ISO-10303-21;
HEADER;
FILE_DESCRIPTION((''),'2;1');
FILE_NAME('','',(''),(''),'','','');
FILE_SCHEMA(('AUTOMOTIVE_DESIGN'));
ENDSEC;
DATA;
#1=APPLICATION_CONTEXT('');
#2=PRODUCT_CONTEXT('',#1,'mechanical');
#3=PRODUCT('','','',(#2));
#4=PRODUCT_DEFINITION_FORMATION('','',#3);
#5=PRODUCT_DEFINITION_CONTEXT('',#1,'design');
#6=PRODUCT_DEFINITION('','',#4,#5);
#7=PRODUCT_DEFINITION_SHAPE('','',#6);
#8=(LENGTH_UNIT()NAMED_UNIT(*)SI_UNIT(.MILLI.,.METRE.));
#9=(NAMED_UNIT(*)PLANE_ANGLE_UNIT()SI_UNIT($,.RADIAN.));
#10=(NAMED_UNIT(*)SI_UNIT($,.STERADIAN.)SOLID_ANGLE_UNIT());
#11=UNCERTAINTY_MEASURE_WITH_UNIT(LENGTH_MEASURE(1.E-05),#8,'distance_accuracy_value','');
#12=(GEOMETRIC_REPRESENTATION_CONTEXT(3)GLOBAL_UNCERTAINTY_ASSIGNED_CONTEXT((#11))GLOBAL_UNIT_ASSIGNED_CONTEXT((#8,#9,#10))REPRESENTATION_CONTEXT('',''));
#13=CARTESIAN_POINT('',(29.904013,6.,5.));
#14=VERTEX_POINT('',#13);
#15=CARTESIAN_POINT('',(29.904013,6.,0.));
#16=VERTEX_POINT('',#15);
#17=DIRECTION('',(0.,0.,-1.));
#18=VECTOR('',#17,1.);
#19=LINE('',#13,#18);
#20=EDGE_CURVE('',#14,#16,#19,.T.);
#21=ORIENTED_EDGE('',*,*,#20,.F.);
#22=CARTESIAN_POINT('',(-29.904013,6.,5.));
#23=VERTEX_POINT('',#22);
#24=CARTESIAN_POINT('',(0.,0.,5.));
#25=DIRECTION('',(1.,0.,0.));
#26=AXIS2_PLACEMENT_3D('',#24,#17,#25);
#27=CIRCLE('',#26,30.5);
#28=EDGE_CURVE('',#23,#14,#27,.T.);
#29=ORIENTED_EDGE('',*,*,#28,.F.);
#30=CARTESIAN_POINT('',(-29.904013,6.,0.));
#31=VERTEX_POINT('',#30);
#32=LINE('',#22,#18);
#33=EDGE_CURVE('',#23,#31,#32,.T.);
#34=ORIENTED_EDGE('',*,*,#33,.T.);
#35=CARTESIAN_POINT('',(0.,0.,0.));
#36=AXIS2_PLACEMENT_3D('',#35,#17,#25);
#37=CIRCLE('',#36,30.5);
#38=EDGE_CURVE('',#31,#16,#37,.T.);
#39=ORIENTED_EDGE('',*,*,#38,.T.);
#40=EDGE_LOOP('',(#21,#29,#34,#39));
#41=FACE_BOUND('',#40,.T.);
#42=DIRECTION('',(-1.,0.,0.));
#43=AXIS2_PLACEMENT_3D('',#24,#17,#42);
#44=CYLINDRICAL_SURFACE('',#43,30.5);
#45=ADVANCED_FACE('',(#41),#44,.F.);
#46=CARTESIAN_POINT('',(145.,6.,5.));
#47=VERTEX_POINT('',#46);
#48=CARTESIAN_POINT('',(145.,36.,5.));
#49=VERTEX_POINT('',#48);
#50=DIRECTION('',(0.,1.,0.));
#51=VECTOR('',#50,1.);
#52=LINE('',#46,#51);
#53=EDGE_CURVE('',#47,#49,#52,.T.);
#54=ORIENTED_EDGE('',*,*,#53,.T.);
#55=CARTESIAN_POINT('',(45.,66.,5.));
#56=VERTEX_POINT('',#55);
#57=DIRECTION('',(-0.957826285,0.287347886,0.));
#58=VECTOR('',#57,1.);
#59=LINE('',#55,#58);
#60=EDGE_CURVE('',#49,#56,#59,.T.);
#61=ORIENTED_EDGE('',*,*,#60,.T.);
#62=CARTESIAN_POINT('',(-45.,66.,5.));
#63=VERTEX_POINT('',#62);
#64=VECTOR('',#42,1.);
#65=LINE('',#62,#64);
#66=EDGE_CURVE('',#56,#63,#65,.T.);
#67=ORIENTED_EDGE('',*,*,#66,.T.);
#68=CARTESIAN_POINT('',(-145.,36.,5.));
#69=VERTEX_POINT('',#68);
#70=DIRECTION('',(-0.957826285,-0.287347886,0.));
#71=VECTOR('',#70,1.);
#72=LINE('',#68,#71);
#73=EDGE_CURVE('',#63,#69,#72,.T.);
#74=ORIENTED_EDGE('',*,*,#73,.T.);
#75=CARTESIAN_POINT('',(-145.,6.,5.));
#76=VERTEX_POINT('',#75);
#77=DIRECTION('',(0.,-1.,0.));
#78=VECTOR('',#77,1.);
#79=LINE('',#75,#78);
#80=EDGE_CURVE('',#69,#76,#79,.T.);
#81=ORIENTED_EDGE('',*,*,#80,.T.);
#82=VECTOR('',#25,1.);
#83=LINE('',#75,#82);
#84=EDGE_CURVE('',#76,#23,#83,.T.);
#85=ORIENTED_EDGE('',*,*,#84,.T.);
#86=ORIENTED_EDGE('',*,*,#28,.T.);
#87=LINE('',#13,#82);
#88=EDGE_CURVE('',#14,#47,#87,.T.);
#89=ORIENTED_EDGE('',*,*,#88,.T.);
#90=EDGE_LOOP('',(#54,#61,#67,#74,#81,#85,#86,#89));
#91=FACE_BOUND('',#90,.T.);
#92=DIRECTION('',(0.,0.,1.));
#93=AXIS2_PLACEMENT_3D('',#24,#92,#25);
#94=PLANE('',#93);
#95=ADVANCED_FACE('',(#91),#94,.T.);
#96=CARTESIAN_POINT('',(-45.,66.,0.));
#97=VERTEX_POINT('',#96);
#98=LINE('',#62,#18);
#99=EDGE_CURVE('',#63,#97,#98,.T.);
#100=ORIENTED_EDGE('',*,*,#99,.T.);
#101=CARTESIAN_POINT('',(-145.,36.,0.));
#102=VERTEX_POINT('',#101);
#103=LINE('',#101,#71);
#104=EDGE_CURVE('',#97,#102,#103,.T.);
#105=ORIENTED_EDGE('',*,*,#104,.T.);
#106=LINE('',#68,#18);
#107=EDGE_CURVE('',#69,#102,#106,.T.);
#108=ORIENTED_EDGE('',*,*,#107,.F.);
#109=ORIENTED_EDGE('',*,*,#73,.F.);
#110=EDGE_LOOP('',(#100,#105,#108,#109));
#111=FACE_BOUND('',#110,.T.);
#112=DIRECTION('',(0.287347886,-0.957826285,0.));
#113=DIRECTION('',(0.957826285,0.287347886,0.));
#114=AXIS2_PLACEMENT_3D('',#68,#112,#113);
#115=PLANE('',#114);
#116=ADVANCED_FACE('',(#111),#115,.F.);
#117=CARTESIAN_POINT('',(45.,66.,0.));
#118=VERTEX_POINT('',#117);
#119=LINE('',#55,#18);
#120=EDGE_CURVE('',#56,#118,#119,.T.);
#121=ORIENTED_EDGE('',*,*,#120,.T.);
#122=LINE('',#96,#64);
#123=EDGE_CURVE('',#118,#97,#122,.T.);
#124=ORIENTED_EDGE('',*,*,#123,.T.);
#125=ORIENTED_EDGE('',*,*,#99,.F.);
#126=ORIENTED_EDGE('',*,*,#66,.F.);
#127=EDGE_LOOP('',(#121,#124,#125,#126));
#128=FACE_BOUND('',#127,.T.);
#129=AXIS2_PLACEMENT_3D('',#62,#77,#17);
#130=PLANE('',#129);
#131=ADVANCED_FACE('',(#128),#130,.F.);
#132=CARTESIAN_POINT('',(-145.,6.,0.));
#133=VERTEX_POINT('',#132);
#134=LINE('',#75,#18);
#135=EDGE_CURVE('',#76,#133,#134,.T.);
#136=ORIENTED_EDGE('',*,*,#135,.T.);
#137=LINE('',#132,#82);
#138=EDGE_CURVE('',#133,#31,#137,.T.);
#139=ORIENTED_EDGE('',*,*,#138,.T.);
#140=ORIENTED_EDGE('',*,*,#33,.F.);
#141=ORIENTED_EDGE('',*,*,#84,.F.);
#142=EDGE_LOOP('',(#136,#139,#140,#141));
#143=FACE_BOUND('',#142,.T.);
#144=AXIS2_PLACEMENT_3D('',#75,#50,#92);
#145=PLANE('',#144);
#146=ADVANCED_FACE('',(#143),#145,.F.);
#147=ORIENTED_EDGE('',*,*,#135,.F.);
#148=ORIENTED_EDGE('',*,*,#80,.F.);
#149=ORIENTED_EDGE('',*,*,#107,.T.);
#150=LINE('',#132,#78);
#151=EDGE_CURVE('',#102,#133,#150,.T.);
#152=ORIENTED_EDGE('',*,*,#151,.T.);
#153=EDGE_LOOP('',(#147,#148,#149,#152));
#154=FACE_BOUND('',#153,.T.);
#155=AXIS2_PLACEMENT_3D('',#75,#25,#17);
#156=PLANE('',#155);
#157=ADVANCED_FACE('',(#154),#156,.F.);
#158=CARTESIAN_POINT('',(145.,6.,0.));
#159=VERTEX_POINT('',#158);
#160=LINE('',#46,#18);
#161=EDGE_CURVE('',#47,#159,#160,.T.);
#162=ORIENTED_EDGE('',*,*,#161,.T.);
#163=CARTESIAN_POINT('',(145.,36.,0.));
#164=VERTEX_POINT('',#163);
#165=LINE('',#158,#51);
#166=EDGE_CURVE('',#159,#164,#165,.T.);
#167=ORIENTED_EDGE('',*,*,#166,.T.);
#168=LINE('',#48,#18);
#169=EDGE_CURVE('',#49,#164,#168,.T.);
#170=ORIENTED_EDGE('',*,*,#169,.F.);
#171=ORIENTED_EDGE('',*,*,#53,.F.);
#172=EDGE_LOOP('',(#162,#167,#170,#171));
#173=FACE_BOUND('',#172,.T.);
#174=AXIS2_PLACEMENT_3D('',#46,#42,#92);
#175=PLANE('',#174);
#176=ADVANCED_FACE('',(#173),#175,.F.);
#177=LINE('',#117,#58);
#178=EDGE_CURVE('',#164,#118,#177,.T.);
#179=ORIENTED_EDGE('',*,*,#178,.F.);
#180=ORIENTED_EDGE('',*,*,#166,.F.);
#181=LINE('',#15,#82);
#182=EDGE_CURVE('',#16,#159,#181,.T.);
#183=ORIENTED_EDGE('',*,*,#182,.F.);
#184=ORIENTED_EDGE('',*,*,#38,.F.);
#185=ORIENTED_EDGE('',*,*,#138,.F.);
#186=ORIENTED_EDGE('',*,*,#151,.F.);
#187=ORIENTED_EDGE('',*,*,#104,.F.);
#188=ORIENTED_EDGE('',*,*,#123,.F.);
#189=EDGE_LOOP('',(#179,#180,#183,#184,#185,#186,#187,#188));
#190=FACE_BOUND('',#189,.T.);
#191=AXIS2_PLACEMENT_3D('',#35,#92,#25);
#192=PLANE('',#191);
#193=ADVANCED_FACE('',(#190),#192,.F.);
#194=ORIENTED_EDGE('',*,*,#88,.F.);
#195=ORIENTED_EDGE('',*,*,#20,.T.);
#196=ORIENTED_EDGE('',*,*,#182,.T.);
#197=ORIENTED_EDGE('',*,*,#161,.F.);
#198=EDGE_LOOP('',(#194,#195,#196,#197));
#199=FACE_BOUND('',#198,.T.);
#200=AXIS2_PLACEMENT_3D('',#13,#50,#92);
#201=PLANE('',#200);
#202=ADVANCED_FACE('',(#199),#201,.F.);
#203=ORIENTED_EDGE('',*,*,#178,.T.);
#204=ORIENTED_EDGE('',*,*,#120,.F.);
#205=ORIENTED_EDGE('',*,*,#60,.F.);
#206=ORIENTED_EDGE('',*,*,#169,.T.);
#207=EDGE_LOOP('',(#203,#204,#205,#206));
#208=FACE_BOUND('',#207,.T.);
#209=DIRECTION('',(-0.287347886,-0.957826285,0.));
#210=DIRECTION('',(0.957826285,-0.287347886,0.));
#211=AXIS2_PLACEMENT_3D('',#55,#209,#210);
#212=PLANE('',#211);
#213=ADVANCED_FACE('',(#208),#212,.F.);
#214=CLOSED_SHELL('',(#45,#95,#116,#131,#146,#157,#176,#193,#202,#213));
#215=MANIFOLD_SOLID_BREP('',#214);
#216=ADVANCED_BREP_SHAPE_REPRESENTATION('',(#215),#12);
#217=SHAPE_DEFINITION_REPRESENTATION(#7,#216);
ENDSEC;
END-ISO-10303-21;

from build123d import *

# Parameters (mm, degrees)
BOSS_EXTRUDE1_DEPTH = 5


with BuildPart() as part:
    # Sketch1 → Boss-Extrude1 (new body)
    with BuildSketch(Plane.XY):
        with BuildLine():
            Line((-145, 36), (-45, 66))
            Line((-45, 66), (45, 66))
            Line((45, 66), (145, 36))
            Line((145, 36), (145, 6))
            Line((145, 6), (29.904013109, 6))
            ThreePointArc((29.904013109, 6), (0, 30.5), (-29.904013109, 6))
            Line((-29.904013109, 6), (-145, 6))
            Line((-145, 6), (-145, 36))
        make_face()
    extrude(amount=BOSS_EXTRUDE1_DEPTH)


solid = part.part
